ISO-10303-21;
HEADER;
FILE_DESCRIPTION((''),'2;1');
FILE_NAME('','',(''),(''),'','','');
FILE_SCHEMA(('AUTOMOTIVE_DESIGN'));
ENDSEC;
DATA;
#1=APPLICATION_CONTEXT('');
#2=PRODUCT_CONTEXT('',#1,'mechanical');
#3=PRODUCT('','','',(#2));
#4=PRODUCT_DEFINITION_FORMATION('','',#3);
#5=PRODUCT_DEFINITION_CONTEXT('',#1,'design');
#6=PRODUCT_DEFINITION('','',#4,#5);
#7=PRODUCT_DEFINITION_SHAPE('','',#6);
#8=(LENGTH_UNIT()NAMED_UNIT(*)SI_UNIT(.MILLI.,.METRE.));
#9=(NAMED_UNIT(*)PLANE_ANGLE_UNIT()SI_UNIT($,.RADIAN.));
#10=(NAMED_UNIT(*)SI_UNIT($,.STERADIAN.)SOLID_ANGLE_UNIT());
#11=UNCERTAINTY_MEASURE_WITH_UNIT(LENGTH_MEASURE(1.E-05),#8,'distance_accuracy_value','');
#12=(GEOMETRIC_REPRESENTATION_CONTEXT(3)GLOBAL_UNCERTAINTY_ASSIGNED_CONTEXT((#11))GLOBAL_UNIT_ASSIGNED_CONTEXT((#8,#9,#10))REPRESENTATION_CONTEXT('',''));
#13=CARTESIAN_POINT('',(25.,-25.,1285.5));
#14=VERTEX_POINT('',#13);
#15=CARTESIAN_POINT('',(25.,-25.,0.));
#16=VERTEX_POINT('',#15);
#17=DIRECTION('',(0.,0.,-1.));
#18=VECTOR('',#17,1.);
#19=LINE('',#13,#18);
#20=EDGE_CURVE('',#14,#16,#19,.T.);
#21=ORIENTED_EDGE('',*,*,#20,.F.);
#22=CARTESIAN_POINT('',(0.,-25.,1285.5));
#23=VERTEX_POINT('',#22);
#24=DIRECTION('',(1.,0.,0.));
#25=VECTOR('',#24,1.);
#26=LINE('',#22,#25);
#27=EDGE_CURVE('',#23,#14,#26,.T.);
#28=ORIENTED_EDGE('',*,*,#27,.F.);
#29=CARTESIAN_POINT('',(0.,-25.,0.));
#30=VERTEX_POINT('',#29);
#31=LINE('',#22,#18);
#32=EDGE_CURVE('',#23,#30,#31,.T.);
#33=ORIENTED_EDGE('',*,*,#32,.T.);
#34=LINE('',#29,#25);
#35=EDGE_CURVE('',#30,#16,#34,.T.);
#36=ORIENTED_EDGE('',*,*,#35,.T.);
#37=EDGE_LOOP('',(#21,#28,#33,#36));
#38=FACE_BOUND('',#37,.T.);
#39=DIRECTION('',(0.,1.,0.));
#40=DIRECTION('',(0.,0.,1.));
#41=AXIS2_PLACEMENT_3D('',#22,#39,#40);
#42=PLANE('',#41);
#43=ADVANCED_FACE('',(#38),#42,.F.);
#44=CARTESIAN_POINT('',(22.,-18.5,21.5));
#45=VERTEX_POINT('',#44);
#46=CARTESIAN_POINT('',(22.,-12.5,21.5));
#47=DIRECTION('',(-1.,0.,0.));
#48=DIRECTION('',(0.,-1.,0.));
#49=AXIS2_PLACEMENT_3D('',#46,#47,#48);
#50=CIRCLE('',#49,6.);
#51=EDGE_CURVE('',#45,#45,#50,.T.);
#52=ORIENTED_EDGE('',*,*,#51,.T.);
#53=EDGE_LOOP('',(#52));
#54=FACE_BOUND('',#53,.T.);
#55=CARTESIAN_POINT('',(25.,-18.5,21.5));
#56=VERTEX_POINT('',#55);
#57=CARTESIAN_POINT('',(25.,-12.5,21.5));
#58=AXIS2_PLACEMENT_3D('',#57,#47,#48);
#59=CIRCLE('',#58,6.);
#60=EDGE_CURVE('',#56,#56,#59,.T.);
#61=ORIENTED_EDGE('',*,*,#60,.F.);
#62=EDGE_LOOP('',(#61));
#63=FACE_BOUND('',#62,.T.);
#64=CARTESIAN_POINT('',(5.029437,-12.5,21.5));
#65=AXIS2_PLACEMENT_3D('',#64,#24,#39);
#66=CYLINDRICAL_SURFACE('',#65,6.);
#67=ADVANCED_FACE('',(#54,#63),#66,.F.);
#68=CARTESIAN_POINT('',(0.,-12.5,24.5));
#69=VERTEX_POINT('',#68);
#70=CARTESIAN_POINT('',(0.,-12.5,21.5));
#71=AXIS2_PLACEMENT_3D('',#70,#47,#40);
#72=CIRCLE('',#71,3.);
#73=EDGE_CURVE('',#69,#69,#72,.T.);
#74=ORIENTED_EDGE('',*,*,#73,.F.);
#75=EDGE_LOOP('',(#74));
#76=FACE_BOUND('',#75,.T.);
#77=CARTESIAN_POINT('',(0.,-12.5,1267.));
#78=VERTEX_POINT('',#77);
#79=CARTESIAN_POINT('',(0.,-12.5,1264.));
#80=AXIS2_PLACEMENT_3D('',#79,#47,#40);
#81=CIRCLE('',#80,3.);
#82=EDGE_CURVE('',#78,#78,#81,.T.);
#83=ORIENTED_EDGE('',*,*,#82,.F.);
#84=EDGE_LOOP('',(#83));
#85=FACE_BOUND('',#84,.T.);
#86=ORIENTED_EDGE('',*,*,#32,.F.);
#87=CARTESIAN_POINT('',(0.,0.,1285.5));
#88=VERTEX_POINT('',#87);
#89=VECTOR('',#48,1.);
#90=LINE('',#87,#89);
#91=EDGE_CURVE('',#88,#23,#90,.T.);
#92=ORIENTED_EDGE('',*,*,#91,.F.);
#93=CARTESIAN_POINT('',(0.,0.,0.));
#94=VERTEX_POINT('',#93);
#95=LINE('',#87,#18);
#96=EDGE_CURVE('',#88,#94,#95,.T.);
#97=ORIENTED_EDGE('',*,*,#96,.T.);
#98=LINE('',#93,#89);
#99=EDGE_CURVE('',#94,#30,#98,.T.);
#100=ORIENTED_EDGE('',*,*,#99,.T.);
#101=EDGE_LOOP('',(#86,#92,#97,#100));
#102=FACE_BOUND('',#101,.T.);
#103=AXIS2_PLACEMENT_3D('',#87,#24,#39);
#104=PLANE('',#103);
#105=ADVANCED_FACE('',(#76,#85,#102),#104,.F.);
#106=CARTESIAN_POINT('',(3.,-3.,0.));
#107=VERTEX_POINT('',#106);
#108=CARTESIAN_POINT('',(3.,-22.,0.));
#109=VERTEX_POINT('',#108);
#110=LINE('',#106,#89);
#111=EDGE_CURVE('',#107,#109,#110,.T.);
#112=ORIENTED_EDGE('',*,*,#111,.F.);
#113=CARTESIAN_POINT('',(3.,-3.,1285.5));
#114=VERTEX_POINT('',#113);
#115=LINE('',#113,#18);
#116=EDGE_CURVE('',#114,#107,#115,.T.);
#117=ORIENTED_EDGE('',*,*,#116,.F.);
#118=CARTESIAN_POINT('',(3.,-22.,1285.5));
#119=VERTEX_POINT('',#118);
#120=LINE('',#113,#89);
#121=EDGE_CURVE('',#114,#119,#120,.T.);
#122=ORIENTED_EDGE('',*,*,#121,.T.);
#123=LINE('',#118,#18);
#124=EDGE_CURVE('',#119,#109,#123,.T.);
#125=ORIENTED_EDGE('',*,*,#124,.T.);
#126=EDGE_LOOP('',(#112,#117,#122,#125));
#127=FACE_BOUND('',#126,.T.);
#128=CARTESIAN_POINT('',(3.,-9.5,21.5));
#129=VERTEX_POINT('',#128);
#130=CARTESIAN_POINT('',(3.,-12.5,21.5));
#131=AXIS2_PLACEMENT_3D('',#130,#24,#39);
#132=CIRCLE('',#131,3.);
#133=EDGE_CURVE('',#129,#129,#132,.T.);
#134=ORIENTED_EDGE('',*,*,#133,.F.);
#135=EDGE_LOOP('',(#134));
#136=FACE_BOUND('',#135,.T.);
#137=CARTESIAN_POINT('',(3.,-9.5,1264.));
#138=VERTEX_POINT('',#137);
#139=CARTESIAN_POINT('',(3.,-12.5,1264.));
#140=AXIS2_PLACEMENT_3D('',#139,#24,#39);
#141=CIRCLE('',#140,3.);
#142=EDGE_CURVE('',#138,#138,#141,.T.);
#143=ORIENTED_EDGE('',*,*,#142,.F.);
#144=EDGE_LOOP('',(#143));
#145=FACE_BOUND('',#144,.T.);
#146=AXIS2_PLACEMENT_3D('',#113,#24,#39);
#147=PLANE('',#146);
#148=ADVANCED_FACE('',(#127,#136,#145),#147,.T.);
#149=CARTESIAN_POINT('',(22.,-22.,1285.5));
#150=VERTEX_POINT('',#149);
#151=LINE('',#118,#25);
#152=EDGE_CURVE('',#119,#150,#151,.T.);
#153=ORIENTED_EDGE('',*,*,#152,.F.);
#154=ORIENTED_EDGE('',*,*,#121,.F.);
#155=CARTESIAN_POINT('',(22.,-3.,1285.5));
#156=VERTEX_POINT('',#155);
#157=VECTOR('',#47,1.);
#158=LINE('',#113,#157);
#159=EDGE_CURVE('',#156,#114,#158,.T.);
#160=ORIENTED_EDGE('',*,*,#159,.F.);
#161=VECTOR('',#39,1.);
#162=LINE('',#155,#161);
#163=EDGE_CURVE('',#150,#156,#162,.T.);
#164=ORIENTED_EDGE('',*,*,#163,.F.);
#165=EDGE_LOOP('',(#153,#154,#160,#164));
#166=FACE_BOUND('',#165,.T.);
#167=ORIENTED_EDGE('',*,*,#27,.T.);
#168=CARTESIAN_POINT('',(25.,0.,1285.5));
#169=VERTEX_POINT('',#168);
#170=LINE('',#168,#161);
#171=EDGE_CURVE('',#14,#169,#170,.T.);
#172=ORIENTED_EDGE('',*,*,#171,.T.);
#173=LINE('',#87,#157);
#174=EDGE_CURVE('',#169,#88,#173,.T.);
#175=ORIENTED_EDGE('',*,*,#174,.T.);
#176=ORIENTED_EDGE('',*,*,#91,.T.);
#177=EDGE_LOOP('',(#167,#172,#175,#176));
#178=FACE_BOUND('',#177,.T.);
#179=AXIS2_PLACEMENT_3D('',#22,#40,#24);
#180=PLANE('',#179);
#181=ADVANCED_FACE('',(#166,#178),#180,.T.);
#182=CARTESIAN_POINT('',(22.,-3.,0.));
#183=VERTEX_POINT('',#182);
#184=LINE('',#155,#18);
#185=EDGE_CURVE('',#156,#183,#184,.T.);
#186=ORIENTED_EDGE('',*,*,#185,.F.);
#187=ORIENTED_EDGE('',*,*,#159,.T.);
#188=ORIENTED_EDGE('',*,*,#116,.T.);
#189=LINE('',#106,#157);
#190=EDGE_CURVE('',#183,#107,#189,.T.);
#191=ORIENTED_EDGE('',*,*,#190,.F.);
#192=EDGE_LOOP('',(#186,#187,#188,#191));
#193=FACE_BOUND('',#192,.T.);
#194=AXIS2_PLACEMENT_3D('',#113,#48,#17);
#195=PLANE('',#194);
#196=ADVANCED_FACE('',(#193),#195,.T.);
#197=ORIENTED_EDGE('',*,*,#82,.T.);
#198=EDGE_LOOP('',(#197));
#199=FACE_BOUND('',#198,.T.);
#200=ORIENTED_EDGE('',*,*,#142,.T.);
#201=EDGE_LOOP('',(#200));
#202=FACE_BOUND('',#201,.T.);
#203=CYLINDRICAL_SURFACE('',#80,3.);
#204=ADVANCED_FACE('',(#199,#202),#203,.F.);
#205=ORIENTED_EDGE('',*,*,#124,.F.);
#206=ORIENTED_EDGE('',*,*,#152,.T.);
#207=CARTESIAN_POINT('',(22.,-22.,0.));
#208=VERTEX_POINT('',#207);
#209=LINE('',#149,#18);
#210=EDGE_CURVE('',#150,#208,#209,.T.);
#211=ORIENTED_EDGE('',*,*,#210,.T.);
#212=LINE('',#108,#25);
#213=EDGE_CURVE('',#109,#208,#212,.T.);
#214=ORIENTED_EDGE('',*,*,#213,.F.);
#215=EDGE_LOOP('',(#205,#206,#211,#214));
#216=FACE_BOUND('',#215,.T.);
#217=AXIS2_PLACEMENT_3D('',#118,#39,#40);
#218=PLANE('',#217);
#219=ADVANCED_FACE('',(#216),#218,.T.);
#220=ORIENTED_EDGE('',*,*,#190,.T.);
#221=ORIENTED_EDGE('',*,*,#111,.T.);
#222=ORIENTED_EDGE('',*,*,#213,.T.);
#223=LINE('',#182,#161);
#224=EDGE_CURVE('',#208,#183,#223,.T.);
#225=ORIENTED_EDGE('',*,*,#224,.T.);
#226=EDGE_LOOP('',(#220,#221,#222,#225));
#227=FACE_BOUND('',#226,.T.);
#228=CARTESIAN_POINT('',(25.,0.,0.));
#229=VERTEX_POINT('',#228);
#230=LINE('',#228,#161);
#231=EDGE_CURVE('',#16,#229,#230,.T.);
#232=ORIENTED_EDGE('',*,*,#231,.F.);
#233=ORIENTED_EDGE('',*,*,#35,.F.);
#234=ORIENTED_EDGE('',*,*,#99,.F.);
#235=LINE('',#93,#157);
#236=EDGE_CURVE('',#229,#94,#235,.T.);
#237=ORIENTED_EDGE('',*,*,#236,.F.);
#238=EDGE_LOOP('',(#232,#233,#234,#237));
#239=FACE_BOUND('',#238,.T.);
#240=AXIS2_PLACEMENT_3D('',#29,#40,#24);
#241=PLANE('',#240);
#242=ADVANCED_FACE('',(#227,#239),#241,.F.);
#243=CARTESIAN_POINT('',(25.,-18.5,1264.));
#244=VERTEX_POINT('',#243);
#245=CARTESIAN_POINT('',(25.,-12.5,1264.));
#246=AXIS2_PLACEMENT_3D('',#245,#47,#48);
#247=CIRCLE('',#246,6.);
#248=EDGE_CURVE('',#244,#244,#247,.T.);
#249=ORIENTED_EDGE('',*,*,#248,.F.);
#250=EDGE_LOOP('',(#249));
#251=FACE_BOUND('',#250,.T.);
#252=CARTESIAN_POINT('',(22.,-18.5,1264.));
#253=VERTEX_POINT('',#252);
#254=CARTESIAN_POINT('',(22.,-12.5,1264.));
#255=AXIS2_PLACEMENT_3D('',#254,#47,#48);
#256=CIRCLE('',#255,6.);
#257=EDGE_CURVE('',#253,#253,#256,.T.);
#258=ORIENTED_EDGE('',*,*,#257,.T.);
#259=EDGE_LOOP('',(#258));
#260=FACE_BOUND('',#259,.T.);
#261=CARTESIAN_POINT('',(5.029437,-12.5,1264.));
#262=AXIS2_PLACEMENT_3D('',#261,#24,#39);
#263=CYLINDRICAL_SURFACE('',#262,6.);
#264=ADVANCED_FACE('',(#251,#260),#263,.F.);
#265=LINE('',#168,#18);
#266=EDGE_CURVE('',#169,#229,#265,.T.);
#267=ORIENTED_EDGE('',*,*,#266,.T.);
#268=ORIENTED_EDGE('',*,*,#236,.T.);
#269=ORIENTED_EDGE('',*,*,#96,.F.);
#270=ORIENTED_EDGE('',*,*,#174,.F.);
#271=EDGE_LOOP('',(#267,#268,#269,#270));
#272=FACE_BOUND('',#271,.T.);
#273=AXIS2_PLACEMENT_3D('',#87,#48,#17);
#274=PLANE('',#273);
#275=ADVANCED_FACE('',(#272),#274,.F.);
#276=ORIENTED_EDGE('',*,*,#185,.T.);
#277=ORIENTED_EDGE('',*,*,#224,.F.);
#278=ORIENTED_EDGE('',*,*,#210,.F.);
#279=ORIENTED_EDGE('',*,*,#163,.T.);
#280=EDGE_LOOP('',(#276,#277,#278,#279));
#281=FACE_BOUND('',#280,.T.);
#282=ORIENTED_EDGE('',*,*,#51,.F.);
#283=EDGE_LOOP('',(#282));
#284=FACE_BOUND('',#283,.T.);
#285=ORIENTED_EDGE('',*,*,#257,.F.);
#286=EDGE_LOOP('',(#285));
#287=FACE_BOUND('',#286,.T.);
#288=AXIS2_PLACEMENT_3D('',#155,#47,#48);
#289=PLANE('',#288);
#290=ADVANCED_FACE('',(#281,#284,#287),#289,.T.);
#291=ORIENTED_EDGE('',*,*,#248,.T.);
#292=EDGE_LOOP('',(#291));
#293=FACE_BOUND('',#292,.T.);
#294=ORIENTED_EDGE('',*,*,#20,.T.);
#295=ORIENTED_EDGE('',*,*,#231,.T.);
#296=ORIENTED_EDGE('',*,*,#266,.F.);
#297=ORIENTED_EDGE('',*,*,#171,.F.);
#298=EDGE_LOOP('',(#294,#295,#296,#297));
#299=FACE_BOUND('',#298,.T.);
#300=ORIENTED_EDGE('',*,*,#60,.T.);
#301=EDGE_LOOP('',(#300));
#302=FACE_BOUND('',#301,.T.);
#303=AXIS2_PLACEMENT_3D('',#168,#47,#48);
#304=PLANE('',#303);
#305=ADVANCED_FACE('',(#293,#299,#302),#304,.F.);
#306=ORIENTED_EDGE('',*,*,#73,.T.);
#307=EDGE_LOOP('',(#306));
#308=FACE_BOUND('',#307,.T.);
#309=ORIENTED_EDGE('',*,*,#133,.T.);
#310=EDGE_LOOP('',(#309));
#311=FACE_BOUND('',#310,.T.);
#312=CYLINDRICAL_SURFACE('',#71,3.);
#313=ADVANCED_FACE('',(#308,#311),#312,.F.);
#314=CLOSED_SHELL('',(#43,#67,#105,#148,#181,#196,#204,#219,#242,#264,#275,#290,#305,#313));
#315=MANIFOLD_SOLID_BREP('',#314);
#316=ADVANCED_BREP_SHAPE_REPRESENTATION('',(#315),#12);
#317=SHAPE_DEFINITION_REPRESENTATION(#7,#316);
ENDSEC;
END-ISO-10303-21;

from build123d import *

# Parameters (mm, degrees)
SKETCH_1_W             = 25
SKETCH_1_H             = 25
SKETCH_1_W_2           = 19
SKETCH_1_H_2           = 19
EXTRUDE_1_DEPTH        = 1285.5
SKETCH_6_R             = 6
CUT_EXTRUDE_1_DEPTH    = 3
PATTERN_LINEAR_1_COUNT = 2
PATTERN_LINEAR_1_PITCH = 1242.5


with BuildPart() as part:
    # 草图1 → 拉伸1 (new body)
    with BuildSketch(Plane.XY):
        with Locations((12.5, -12.5)):
            Rectangle(SKETCH_1_W, SKETCH_1_H)
        with Locations((12.5, -12.5)):
            Rectangle(SKETCH_1_W_2, SKETCH_1_H_2, mode=Mode.SUBTRACT)
    extrude(amount=EXTRUDE_1_DEPTH)

    # 草图4 → Ø6.0 (6) 直径孔1 (revolve, cut)
    with BuildSketch(Plane(origin=(0, -12.5, 1264), x_dir=(0, 0, 1), z_dir=(0, 1, 0))):
        Polygon((0, 0), (0, 31.802581857), (3, 30), (3, 0), align=None)
    hole_wizard_6_0_6_1 = revolve(axis=Axis((-6.35, -12.5, 1264), (1, 0, 0)), mode=Mode.SUBTRACT)

    # 草图6 → 切除-拉伸1 (cut)
    with BuildSketch(Plane.ZY.offset(-25)):
        with Locations(Location((1264, -12.5, 0), (0, 0, 270))):
            Circle(SKETCH_6_R)
    cut_extrude_1 = extrude(amount=CUT_EXTRUDE_1_DEPTH, mode=Mode.SUBTRACT)

    # 阵列(线性)1: Ø6.0 (6) 直径孔1, 切除-拉伸1 ×2
    with Locations(*[(0, 0, -i * PATTERN_LINEAR_1_PITCH) for i in range(1, PATTERN_LINEAR_1_COUNT)]):
        add(hole_wizard_6_0_6_1, mode=Mode.SUBTRACT)
        add(cut_extrude_1, mode=Mode.SUBTRACT)


solid = part.part
